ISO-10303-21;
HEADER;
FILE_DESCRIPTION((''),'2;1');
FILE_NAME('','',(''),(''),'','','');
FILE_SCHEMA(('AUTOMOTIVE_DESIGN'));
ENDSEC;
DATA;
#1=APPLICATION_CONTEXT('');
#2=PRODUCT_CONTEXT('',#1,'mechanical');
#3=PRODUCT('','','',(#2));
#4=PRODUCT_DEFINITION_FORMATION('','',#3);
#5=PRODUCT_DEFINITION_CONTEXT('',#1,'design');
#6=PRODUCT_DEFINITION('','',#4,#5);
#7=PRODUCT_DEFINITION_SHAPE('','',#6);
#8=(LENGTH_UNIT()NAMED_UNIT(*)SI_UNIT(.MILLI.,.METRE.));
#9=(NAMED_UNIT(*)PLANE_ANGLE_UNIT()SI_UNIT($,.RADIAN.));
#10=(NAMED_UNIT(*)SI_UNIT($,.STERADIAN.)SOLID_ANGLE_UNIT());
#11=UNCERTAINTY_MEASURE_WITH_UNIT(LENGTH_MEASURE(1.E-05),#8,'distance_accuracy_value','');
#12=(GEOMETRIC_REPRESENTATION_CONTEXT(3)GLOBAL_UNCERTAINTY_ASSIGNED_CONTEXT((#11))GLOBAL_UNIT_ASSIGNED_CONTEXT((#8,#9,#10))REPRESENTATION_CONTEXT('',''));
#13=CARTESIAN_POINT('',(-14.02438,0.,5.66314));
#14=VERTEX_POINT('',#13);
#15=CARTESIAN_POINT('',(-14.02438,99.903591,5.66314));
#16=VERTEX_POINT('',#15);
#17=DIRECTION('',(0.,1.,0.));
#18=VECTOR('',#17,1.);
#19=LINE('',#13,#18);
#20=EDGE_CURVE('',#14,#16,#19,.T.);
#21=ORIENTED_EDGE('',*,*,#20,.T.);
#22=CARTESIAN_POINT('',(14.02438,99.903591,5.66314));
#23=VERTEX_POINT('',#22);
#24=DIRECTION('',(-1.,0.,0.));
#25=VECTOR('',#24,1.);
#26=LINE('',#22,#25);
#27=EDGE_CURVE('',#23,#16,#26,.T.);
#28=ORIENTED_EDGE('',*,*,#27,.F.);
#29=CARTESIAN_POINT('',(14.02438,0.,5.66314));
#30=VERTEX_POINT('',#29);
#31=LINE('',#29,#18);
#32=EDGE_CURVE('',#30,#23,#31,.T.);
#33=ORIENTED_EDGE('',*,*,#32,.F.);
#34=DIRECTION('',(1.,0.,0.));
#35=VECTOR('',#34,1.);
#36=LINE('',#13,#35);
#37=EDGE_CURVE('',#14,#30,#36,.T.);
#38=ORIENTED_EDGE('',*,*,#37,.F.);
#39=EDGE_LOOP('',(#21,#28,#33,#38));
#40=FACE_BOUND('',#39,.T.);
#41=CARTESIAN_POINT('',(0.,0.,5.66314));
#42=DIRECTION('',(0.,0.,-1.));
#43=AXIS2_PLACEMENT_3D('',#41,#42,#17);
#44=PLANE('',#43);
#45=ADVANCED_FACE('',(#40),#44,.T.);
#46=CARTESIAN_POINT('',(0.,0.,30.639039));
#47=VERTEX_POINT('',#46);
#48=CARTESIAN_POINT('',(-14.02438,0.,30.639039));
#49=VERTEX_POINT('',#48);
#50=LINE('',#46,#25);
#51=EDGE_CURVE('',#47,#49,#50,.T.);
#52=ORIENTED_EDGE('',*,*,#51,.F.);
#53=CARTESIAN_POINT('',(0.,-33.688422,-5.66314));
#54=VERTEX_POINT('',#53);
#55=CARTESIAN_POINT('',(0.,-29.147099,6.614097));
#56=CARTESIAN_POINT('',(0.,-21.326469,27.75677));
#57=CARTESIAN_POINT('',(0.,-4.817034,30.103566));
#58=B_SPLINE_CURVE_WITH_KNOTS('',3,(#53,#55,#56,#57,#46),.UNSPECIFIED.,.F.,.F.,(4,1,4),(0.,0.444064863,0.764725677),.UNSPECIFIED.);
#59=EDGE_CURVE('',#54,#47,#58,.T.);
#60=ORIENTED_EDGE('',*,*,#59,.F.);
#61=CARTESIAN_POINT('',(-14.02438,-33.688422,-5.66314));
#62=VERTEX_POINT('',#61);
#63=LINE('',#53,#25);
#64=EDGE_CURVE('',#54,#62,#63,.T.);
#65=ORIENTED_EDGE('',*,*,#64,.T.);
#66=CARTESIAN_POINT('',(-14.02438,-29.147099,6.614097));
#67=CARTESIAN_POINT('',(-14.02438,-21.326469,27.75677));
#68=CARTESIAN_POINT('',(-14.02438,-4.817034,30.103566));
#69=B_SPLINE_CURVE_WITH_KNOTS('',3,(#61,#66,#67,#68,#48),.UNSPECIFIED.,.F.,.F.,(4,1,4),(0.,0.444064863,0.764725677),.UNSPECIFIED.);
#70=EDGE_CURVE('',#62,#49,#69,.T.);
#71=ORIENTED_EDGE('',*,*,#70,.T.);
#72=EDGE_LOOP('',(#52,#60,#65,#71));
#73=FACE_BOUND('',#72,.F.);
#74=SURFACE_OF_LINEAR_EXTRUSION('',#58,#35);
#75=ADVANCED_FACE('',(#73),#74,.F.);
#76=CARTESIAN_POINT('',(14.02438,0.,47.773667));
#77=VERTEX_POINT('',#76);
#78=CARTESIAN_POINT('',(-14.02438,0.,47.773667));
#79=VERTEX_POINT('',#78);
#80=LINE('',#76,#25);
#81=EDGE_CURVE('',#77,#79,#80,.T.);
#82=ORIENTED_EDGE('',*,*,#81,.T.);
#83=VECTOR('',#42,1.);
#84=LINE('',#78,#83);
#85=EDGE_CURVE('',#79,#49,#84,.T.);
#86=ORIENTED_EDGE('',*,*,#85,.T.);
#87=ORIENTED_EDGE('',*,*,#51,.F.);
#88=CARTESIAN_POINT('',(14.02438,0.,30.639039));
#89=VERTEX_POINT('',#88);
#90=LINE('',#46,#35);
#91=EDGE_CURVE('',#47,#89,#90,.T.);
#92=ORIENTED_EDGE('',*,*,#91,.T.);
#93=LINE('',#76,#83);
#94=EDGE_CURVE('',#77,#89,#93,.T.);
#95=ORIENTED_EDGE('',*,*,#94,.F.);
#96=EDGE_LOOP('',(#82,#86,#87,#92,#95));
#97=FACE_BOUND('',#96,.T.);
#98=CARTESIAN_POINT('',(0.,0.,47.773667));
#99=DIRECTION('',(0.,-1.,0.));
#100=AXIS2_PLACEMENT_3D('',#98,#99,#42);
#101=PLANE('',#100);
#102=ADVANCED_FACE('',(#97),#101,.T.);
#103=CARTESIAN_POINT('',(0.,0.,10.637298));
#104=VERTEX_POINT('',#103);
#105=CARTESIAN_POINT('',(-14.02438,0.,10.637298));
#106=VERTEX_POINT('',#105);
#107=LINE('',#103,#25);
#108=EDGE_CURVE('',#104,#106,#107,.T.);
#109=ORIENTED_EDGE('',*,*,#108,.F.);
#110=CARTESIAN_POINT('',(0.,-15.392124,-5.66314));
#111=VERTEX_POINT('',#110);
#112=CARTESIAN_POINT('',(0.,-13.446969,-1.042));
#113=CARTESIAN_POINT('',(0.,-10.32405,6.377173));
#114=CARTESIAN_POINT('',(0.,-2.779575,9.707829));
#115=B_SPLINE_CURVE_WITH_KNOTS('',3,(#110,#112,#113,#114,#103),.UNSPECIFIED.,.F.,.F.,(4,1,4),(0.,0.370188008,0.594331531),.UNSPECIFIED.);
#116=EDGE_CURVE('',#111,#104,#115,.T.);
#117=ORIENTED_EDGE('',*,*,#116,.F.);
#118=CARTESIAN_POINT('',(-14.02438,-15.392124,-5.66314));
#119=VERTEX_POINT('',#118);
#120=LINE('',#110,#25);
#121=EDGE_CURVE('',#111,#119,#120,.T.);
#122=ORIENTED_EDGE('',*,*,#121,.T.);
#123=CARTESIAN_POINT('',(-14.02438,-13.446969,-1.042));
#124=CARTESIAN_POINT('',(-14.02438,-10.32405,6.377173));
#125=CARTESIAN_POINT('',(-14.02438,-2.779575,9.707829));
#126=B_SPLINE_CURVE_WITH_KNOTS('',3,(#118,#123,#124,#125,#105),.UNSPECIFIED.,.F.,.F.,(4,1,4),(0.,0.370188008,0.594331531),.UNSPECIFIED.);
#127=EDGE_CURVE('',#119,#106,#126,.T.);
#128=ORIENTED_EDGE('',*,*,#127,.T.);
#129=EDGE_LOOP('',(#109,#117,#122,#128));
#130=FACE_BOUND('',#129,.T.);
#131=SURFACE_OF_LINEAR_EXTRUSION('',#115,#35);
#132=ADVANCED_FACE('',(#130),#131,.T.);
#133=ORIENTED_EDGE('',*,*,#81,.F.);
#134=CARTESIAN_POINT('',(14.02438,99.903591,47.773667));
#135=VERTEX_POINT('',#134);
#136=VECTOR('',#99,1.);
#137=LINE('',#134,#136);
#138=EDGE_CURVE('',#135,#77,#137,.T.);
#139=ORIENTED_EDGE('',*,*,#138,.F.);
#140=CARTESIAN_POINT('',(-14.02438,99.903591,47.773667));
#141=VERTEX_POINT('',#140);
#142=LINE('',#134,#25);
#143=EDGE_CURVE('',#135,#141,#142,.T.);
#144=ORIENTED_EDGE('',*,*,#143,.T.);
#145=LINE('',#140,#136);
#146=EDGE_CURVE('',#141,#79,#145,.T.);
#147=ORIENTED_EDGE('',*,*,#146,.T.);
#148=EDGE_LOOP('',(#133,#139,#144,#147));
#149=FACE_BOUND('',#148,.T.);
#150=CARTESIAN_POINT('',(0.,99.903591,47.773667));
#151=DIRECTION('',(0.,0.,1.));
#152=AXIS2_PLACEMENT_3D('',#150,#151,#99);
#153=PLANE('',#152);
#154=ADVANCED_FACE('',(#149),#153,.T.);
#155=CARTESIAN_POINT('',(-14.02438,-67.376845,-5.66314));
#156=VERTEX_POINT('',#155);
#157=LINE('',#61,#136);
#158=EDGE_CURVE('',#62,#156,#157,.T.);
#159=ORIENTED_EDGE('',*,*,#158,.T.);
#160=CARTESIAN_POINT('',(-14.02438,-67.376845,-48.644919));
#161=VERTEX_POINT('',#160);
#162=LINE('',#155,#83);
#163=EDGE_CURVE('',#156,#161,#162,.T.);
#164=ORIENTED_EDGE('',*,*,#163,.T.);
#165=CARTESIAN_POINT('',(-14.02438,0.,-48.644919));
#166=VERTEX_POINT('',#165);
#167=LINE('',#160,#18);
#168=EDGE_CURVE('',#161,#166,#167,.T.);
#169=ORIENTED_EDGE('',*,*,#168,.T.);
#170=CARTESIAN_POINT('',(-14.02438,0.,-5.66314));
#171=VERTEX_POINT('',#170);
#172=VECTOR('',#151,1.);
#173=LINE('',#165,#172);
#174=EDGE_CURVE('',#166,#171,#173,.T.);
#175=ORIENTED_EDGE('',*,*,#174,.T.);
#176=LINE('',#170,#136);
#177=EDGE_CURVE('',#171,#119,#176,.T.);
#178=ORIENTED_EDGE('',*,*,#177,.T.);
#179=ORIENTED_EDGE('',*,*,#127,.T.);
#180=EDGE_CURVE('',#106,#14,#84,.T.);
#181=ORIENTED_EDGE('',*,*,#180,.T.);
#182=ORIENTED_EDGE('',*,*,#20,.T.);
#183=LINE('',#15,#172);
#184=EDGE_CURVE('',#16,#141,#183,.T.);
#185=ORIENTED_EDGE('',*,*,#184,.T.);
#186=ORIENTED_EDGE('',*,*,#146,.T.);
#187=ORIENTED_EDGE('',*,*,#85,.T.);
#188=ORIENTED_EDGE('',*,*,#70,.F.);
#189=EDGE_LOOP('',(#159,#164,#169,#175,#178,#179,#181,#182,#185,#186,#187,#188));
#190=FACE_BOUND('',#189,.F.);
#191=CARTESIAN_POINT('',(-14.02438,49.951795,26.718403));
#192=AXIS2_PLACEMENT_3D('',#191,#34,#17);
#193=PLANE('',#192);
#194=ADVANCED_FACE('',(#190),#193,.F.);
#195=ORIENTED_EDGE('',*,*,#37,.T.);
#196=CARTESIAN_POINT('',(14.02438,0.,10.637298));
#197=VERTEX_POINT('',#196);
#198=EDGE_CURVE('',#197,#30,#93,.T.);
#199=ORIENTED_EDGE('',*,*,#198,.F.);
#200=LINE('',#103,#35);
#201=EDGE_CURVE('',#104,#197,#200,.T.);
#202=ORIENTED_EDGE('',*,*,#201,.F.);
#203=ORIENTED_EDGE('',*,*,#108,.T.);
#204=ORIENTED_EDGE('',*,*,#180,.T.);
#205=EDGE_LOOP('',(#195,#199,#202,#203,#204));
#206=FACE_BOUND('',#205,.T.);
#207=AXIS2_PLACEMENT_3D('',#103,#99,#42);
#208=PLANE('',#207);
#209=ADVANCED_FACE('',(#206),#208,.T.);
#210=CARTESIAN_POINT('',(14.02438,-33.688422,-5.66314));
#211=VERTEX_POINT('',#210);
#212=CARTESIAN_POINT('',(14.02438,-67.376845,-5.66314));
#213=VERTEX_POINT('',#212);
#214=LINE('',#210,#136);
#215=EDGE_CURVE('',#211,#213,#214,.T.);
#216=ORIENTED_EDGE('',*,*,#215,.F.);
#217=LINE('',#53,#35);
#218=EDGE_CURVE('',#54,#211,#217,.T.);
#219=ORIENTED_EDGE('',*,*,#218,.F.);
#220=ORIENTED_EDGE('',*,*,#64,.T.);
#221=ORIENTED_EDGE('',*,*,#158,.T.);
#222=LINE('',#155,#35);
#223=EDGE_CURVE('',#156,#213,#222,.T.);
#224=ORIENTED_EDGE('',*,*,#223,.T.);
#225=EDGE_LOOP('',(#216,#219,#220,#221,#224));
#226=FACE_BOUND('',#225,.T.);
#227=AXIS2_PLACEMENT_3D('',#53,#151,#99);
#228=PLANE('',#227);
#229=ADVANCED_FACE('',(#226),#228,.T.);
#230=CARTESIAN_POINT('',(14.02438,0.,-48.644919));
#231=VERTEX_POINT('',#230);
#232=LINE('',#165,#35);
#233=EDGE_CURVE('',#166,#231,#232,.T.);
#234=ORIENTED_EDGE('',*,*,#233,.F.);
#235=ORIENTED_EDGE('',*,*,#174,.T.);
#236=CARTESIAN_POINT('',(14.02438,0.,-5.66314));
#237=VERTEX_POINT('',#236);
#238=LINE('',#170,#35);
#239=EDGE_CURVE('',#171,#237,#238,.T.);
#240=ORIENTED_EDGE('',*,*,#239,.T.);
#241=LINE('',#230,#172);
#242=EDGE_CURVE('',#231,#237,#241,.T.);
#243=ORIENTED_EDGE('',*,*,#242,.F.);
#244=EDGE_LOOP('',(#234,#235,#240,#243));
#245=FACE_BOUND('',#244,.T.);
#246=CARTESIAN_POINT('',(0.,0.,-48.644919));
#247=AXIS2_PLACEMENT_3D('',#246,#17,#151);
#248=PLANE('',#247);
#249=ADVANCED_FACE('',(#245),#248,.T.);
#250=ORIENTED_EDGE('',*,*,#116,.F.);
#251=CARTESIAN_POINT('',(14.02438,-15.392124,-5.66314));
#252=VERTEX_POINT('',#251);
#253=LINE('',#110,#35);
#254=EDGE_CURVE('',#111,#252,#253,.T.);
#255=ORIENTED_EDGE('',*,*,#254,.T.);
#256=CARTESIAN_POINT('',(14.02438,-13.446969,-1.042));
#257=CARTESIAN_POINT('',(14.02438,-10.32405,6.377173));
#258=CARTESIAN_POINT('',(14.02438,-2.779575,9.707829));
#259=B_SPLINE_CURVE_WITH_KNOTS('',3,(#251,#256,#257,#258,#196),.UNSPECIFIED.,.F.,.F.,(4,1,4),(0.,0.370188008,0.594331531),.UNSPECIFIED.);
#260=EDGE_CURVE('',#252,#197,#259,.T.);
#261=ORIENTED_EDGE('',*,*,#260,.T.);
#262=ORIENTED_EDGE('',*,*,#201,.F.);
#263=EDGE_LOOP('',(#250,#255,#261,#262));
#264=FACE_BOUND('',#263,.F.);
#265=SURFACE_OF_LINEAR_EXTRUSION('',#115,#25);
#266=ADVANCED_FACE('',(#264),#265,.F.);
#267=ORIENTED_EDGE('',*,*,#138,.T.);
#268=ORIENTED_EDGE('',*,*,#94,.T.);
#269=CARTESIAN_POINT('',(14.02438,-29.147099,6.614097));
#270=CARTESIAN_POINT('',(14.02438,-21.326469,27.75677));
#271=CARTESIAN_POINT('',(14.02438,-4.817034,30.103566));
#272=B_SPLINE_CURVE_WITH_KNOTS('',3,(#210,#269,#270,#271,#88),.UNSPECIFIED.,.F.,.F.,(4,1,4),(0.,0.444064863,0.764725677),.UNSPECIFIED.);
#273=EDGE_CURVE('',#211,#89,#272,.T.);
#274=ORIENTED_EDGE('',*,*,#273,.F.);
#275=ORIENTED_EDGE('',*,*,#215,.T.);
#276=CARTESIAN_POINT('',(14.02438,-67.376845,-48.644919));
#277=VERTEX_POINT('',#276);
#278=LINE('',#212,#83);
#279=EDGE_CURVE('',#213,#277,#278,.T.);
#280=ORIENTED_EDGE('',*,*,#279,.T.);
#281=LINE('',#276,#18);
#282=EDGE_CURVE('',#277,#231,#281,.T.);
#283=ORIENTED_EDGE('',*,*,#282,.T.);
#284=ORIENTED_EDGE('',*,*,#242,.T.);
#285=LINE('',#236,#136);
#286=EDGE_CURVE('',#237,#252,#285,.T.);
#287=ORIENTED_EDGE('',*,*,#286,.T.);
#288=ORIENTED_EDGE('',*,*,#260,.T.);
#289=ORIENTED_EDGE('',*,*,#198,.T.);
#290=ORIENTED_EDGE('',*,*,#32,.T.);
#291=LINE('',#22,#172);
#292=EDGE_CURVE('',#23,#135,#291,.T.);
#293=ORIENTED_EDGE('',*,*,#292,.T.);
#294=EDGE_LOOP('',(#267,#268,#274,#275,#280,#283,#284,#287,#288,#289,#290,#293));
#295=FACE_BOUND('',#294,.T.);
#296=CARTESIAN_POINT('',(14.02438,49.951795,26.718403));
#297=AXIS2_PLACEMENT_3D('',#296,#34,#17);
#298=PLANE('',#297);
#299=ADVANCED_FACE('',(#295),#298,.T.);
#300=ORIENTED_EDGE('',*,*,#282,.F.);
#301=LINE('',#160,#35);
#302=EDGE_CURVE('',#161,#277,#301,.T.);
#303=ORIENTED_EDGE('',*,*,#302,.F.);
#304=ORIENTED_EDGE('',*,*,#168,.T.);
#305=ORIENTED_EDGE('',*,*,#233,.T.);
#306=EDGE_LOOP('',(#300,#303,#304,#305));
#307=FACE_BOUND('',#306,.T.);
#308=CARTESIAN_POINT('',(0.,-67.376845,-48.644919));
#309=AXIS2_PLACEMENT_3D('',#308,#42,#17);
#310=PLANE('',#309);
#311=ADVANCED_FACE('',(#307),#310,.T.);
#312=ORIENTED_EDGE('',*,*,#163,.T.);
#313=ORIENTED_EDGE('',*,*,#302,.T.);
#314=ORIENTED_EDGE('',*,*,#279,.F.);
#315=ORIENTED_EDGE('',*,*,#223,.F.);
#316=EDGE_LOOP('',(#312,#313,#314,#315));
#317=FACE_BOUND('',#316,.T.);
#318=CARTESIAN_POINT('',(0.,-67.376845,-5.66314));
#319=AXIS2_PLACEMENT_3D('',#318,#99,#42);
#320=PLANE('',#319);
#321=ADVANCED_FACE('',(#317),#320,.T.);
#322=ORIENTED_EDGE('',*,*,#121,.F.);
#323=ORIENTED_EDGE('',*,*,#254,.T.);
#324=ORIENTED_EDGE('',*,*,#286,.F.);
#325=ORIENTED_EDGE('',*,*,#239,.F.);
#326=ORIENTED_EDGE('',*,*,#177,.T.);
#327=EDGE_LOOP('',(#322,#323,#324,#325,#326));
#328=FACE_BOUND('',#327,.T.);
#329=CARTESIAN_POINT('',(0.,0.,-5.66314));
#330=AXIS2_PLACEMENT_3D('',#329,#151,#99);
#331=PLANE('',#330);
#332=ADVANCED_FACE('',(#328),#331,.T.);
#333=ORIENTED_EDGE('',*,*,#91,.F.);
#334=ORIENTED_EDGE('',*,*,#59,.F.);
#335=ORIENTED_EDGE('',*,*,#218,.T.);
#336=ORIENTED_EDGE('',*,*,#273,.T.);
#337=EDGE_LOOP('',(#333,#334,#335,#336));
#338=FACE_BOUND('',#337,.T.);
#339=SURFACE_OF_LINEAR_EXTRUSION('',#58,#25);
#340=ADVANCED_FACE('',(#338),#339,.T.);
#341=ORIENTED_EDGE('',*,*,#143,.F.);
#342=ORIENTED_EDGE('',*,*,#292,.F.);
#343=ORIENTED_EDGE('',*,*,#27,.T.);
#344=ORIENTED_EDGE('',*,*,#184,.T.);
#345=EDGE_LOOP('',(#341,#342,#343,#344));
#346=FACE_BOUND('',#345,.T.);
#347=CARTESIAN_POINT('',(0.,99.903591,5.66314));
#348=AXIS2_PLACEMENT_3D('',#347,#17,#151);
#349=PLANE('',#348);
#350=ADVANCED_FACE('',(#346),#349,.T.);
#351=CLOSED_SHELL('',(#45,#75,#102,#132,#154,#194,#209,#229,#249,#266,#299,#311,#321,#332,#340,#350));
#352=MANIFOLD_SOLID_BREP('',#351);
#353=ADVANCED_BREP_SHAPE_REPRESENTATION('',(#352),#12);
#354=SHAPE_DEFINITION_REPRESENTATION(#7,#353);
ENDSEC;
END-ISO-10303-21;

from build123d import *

# Parameters (mm, degrees)
F1_DEPTH = 14.02438


with BuildPart() as f1:
    # F0 (on Right) → F1 (new body, symmetric)
    with BuildSketch(Plane.YZ):
        Polygon((0, 47.7736666799), (0, 30.6390393525), (0, 10.6372975803), (0, 5.6631397456), (99.9035909772, 5.6631397456), (99.9035909772, 47.7736666799), align=None)
        with BuildLine():
            add(Edge.make_bspline(
                [(-33.6884222925, -5.6631397456), (-29.1470986378, 6.6140969626), (-21.326469053, 27.7567698753), (-4.8170343565, 30.103566169), (0, 30.6390393525)],
                knots=[0, 0, 0, 0, 0.4440648632, 0.7647256771, 0.7647256771, 0.7647256771, 0.7647256771], degree=3))
            Line((-33.6884222925, -5.6631397456), (-15.3921237215, -5.6631397456))
            add(Edge.make_bspline(
                [(-15.3921237215, -5.6631397456), (-13.4469685801, -1.0420002941), (-10.3240499344, 6.3771727322), (-2.7795746982, 9.7078291076), (0, 10.6372975803)],
                knots=[0, 0, 0, 0, 0.3701880082, 0.5943315309, 0.5943315309, 0.5943315309, 0.5943315309], degree=3))
            Line((0, 10.6372975803), (0, 30.6390393525))
        make_face()
        Polygon((-33.6884222925, -5.6631397456), (-67.3768445849, -5.6631397456), (-67.3768445849, -48.6449189484), (0, -48.6449189484), (0, -5.6631397456), (-15.3921237215, -5.6631397456), align=None)
    extrude(amount=F1_DEPTH, both=True)


solid = f1.part
